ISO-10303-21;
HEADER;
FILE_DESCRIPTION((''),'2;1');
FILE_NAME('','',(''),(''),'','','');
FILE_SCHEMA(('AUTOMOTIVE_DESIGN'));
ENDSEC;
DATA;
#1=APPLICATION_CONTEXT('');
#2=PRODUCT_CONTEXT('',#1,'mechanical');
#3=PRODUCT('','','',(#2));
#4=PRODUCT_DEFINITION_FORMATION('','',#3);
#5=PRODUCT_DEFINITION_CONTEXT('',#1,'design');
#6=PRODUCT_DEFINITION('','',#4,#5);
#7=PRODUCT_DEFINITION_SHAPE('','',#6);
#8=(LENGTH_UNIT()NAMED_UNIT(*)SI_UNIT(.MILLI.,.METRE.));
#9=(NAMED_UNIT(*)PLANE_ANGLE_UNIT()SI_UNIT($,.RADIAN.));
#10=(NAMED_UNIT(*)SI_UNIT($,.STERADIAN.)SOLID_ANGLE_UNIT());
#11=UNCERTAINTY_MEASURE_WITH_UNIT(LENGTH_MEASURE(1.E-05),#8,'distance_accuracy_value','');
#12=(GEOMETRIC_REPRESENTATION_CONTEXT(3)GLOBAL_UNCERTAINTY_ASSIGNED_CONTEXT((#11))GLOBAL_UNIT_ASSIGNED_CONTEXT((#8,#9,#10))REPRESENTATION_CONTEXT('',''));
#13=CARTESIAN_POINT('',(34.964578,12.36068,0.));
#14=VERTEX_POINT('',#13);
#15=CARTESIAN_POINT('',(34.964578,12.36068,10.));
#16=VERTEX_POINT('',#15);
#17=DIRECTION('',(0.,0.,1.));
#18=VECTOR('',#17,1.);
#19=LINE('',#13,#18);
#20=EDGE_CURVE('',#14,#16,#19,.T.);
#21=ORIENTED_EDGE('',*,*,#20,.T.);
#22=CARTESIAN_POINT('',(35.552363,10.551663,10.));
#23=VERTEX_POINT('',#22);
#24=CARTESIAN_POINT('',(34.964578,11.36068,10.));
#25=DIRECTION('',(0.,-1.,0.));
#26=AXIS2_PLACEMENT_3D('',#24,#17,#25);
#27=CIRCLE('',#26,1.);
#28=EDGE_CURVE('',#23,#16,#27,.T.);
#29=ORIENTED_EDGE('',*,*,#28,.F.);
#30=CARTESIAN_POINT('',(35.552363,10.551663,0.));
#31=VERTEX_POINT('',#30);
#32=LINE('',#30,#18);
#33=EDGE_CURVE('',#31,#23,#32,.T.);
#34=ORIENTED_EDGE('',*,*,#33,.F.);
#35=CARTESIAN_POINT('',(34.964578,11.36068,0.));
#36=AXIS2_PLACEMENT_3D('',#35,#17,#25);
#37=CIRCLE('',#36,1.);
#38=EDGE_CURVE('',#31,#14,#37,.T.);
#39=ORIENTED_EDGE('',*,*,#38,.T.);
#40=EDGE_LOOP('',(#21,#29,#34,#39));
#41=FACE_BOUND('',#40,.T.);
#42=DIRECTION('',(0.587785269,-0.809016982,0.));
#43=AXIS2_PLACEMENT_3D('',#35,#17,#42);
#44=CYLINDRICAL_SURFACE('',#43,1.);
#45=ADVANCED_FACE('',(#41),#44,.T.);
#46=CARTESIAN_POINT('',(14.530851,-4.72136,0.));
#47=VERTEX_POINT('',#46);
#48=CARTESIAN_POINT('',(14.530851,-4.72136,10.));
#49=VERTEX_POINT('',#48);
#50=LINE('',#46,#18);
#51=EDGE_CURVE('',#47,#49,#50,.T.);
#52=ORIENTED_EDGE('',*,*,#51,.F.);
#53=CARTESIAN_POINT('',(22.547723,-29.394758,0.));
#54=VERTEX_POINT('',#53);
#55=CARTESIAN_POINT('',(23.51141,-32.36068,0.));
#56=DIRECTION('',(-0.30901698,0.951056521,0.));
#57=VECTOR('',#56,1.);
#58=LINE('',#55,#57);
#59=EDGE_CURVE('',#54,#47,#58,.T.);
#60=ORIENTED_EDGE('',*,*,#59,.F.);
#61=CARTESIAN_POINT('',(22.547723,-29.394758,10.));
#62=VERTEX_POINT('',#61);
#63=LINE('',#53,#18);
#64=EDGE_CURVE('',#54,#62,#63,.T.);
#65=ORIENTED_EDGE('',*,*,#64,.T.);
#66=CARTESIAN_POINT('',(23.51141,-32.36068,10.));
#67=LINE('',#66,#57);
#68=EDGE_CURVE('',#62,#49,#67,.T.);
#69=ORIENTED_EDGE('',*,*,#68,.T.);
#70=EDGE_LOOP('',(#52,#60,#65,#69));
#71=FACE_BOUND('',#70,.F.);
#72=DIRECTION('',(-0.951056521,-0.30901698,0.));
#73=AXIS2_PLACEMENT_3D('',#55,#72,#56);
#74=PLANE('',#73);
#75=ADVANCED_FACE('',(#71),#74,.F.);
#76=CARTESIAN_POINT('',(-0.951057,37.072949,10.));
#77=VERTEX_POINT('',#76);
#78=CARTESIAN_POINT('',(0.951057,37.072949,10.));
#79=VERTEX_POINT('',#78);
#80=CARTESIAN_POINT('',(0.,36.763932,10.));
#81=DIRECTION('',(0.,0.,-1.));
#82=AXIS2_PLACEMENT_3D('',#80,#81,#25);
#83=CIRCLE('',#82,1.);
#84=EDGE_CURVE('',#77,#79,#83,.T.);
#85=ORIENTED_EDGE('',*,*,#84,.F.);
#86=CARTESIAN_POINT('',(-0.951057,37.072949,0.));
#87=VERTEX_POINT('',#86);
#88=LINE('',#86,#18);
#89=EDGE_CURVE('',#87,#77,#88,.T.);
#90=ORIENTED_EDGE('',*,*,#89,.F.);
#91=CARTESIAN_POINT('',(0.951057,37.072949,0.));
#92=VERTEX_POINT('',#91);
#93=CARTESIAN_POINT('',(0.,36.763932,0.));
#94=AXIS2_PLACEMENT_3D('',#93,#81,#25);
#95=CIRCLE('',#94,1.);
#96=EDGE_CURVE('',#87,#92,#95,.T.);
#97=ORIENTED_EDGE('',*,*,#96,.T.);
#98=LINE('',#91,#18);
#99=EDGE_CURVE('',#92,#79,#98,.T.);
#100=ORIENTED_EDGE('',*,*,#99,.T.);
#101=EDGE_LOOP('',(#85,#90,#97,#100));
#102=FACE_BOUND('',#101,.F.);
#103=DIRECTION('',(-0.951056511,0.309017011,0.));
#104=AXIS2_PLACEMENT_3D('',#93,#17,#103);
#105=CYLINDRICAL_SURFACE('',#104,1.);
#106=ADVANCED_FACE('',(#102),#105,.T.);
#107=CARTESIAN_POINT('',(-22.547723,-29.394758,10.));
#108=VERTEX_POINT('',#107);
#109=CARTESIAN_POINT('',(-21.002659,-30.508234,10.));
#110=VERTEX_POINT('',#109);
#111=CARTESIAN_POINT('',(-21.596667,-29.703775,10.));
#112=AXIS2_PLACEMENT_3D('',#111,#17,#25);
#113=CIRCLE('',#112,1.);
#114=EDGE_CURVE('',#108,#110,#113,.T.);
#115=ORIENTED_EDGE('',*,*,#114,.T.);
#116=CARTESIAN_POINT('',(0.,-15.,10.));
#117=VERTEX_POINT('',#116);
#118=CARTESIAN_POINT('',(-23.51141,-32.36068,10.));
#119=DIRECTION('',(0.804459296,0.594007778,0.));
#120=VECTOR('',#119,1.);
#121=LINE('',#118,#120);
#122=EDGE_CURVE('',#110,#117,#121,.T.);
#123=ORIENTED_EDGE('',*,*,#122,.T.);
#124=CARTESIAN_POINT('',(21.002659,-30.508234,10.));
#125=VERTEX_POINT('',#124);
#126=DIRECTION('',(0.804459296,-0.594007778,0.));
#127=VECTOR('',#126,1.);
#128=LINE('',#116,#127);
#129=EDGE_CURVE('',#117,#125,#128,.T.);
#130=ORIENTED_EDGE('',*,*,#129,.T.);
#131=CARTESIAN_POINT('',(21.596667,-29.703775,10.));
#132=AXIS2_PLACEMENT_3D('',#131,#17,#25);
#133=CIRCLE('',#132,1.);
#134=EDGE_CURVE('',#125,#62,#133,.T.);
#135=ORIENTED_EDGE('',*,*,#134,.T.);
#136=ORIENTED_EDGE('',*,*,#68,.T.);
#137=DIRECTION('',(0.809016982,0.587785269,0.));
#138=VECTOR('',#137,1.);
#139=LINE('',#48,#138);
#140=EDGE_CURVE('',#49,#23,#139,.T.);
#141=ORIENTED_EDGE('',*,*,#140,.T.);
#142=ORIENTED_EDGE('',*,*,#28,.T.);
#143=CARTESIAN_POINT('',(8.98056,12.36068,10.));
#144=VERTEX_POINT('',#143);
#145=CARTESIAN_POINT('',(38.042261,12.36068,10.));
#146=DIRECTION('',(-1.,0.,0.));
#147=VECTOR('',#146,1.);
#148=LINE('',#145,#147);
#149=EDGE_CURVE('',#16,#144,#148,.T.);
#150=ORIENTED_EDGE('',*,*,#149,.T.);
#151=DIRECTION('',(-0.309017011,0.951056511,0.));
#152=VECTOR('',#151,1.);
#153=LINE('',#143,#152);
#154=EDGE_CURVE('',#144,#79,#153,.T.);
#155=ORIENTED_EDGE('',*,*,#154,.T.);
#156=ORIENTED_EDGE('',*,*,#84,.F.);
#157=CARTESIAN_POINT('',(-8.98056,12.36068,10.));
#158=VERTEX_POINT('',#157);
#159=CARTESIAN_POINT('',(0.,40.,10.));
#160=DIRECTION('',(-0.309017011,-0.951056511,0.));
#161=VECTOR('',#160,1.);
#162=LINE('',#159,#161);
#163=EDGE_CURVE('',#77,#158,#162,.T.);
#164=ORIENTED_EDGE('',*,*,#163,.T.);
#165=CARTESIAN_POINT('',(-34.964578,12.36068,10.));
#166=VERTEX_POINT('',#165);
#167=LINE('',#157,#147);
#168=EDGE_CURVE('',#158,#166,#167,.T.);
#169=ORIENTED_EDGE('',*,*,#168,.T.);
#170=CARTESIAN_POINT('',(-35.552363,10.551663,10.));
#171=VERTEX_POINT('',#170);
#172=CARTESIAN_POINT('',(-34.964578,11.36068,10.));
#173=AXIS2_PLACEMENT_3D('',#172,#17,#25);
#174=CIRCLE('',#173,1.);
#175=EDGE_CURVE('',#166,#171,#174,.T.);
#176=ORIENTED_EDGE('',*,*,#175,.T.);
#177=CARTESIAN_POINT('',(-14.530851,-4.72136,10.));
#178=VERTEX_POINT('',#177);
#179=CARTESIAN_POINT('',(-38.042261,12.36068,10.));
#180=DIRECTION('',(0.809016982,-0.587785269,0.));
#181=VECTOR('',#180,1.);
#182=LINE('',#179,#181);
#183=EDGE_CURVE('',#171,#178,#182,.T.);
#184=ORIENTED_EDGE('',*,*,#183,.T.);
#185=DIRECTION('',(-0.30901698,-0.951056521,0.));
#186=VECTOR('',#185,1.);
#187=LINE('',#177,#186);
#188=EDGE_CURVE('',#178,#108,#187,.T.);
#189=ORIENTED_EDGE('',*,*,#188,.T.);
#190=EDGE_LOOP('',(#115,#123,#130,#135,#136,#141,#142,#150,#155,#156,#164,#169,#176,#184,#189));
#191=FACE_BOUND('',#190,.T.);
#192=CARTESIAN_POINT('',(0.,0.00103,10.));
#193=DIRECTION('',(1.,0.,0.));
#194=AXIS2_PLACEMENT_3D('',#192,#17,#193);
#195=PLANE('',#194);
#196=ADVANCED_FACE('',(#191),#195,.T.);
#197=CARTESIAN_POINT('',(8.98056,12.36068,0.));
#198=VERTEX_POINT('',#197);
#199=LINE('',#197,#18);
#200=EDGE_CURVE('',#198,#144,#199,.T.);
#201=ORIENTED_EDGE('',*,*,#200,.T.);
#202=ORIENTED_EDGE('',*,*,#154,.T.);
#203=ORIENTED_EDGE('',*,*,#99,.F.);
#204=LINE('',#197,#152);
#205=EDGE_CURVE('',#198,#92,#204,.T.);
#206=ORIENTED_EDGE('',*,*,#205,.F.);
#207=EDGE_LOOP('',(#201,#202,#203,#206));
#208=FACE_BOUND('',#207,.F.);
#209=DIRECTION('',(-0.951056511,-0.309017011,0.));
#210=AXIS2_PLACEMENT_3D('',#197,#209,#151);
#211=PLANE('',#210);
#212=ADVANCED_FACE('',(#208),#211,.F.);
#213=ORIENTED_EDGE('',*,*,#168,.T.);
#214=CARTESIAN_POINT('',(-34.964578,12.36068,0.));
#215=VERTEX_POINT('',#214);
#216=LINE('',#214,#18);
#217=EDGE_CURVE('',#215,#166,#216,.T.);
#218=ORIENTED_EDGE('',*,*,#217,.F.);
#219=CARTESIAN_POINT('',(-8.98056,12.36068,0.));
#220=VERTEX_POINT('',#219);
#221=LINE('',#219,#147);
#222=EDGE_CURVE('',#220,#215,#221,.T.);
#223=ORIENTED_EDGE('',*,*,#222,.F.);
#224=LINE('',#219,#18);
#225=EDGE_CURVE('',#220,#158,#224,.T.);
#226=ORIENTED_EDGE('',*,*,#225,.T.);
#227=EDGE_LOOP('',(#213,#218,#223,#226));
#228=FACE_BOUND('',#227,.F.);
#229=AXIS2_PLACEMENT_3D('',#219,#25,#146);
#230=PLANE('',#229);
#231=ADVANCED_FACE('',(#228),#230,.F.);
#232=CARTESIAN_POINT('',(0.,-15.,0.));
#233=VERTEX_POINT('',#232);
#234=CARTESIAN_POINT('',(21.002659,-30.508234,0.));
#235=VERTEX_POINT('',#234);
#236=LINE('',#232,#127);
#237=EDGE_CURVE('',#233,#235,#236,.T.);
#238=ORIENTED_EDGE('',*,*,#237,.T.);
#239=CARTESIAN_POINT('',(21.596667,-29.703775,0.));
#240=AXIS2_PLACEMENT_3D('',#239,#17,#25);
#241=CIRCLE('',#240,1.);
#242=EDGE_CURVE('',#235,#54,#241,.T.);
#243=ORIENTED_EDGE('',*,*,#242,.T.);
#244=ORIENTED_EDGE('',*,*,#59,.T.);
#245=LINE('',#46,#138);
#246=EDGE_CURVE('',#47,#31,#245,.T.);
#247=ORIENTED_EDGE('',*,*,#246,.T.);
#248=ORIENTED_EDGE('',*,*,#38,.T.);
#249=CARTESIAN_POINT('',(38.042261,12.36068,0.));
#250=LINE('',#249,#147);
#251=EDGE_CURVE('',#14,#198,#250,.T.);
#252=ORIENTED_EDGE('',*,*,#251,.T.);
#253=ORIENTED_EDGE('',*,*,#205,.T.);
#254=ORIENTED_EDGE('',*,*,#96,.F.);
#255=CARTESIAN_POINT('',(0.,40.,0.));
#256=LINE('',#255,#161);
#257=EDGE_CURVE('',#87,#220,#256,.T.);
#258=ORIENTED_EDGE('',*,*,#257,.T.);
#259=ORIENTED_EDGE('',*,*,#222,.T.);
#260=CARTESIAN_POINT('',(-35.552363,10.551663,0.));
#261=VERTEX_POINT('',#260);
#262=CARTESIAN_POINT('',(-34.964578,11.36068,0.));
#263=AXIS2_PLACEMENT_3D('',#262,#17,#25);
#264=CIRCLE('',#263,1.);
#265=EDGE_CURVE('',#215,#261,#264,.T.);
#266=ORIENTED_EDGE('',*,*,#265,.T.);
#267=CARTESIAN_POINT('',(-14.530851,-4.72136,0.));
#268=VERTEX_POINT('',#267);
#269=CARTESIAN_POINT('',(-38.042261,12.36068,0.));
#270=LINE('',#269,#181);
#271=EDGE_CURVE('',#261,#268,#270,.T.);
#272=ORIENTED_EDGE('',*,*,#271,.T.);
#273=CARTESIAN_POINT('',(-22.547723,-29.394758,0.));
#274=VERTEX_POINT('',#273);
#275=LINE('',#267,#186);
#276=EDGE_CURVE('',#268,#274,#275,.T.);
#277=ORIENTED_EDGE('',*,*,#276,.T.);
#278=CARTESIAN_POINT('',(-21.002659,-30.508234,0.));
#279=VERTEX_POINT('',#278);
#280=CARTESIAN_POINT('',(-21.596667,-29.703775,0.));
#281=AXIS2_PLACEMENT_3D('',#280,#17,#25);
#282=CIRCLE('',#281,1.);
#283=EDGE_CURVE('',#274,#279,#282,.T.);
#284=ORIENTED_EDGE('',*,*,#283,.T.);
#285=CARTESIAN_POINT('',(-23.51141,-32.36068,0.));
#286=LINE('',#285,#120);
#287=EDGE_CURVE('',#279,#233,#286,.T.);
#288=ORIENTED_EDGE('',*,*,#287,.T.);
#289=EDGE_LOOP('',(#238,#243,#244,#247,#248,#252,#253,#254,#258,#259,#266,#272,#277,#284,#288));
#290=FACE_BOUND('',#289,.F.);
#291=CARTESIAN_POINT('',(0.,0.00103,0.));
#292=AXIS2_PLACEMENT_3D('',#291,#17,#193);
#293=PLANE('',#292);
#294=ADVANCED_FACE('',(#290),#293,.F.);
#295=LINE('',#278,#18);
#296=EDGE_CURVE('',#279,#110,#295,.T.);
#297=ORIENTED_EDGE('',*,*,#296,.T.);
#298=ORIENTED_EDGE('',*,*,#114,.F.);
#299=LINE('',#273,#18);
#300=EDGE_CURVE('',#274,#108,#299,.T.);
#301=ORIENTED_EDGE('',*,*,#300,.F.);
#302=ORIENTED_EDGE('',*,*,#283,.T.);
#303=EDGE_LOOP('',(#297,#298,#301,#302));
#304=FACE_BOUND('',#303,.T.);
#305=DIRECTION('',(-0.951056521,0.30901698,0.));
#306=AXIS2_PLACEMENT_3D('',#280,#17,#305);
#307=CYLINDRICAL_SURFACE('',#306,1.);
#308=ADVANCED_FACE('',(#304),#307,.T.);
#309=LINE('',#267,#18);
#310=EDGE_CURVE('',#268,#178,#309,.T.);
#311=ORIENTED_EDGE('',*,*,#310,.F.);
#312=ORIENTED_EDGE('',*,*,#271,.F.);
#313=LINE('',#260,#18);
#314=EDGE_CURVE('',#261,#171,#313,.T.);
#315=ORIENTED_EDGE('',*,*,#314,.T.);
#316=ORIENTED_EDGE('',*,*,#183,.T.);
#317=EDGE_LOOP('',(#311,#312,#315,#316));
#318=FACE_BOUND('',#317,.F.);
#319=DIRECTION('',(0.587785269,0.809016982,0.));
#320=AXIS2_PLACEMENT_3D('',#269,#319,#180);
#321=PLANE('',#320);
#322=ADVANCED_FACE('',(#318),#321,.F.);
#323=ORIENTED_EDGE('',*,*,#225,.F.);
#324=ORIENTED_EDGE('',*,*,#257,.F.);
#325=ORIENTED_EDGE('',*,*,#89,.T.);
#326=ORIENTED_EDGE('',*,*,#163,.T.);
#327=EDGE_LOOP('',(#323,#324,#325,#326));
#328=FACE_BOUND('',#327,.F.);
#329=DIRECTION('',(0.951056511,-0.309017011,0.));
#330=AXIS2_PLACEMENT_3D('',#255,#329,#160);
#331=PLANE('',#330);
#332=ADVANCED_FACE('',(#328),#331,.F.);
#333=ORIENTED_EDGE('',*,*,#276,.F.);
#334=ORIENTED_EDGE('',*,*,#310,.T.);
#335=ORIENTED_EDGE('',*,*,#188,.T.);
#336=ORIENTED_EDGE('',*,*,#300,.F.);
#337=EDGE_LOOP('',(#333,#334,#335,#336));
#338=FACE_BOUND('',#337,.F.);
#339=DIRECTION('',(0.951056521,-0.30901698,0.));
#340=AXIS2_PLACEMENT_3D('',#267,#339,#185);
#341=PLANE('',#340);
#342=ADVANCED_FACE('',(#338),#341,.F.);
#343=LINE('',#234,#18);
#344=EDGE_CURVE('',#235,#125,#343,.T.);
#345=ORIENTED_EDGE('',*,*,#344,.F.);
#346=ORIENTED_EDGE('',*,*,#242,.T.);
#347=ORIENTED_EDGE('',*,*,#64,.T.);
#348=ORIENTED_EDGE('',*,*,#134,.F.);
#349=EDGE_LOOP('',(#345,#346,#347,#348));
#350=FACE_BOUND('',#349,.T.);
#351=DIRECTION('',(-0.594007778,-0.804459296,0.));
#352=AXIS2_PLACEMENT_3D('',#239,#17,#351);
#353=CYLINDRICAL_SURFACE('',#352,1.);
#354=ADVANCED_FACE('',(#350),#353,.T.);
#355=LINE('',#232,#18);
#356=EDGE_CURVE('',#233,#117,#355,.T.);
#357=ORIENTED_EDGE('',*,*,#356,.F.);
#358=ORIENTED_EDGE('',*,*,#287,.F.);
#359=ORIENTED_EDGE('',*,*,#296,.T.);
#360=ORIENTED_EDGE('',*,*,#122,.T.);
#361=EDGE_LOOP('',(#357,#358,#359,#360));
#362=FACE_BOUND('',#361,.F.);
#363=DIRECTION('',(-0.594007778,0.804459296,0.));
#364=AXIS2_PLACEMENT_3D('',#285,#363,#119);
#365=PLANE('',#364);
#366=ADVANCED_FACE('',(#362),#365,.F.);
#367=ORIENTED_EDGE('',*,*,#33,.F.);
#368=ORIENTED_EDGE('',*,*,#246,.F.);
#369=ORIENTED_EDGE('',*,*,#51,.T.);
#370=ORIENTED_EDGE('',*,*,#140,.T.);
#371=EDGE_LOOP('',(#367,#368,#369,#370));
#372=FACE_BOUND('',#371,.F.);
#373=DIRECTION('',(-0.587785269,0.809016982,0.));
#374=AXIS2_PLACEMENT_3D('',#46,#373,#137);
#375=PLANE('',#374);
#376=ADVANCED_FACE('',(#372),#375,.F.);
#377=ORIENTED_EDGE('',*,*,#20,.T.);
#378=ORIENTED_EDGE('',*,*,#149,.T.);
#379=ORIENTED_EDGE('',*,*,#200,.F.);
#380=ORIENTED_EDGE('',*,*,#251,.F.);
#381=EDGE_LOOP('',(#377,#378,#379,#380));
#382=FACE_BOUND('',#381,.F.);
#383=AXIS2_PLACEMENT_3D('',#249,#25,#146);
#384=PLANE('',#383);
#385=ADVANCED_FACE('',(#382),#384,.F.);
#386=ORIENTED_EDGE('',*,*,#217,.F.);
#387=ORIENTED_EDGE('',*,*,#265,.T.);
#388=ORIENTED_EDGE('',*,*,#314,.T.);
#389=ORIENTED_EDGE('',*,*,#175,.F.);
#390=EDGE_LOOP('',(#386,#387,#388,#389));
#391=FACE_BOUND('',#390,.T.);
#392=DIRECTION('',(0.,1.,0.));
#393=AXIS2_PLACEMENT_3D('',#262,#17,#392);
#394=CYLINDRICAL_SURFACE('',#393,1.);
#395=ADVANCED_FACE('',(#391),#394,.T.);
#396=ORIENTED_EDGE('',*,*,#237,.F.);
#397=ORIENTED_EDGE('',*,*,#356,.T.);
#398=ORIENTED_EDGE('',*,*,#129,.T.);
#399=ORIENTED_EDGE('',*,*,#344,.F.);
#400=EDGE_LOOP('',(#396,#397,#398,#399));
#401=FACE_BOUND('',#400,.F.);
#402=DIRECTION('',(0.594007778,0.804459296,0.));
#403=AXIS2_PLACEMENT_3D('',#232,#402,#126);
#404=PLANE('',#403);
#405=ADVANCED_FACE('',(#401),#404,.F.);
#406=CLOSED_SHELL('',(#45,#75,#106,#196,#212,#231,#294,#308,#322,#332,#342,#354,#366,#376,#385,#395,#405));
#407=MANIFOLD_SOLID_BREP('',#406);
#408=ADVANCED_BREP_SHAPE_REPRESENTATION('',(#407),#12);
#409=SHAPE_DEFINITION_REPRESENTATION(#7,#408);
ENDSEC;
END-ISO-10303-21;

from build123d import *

# Parameters (mm, degrees)
PAD_DEPTH = 10
FILLET_R  = 1


with BuildPart() as part:
    # Sketch → Pad (new body)
    with BuildSketch(Plane.XY):
        Polygon((0, 40), (-8.98056, 12.36068), (-38.042261, 12.36068), (-14.530851, -4.72136), (-23.51141, -32.36068), (0, -15), (23.51141, -32.36068), (14.530851, -4.72136), (38.042261, 12.36068), (8.98056, 12.36068), align=None)
    extrude(amount=PAD_DEPTH)

    # Fillet
    fillet_edges = [part.edges().sort_by_distance(p)[0] for p in [
        (38.042261, 12.36068, 5),
        (0, 40, 5),
        (-38.042261, 12.36068, 5),
        (-23.51141, -32.36068, 5),
        (23.51141, -32.36068, 5),
    ]]
    fillet(fillet_edges, radius=FILLET_R)


solid = part.part
